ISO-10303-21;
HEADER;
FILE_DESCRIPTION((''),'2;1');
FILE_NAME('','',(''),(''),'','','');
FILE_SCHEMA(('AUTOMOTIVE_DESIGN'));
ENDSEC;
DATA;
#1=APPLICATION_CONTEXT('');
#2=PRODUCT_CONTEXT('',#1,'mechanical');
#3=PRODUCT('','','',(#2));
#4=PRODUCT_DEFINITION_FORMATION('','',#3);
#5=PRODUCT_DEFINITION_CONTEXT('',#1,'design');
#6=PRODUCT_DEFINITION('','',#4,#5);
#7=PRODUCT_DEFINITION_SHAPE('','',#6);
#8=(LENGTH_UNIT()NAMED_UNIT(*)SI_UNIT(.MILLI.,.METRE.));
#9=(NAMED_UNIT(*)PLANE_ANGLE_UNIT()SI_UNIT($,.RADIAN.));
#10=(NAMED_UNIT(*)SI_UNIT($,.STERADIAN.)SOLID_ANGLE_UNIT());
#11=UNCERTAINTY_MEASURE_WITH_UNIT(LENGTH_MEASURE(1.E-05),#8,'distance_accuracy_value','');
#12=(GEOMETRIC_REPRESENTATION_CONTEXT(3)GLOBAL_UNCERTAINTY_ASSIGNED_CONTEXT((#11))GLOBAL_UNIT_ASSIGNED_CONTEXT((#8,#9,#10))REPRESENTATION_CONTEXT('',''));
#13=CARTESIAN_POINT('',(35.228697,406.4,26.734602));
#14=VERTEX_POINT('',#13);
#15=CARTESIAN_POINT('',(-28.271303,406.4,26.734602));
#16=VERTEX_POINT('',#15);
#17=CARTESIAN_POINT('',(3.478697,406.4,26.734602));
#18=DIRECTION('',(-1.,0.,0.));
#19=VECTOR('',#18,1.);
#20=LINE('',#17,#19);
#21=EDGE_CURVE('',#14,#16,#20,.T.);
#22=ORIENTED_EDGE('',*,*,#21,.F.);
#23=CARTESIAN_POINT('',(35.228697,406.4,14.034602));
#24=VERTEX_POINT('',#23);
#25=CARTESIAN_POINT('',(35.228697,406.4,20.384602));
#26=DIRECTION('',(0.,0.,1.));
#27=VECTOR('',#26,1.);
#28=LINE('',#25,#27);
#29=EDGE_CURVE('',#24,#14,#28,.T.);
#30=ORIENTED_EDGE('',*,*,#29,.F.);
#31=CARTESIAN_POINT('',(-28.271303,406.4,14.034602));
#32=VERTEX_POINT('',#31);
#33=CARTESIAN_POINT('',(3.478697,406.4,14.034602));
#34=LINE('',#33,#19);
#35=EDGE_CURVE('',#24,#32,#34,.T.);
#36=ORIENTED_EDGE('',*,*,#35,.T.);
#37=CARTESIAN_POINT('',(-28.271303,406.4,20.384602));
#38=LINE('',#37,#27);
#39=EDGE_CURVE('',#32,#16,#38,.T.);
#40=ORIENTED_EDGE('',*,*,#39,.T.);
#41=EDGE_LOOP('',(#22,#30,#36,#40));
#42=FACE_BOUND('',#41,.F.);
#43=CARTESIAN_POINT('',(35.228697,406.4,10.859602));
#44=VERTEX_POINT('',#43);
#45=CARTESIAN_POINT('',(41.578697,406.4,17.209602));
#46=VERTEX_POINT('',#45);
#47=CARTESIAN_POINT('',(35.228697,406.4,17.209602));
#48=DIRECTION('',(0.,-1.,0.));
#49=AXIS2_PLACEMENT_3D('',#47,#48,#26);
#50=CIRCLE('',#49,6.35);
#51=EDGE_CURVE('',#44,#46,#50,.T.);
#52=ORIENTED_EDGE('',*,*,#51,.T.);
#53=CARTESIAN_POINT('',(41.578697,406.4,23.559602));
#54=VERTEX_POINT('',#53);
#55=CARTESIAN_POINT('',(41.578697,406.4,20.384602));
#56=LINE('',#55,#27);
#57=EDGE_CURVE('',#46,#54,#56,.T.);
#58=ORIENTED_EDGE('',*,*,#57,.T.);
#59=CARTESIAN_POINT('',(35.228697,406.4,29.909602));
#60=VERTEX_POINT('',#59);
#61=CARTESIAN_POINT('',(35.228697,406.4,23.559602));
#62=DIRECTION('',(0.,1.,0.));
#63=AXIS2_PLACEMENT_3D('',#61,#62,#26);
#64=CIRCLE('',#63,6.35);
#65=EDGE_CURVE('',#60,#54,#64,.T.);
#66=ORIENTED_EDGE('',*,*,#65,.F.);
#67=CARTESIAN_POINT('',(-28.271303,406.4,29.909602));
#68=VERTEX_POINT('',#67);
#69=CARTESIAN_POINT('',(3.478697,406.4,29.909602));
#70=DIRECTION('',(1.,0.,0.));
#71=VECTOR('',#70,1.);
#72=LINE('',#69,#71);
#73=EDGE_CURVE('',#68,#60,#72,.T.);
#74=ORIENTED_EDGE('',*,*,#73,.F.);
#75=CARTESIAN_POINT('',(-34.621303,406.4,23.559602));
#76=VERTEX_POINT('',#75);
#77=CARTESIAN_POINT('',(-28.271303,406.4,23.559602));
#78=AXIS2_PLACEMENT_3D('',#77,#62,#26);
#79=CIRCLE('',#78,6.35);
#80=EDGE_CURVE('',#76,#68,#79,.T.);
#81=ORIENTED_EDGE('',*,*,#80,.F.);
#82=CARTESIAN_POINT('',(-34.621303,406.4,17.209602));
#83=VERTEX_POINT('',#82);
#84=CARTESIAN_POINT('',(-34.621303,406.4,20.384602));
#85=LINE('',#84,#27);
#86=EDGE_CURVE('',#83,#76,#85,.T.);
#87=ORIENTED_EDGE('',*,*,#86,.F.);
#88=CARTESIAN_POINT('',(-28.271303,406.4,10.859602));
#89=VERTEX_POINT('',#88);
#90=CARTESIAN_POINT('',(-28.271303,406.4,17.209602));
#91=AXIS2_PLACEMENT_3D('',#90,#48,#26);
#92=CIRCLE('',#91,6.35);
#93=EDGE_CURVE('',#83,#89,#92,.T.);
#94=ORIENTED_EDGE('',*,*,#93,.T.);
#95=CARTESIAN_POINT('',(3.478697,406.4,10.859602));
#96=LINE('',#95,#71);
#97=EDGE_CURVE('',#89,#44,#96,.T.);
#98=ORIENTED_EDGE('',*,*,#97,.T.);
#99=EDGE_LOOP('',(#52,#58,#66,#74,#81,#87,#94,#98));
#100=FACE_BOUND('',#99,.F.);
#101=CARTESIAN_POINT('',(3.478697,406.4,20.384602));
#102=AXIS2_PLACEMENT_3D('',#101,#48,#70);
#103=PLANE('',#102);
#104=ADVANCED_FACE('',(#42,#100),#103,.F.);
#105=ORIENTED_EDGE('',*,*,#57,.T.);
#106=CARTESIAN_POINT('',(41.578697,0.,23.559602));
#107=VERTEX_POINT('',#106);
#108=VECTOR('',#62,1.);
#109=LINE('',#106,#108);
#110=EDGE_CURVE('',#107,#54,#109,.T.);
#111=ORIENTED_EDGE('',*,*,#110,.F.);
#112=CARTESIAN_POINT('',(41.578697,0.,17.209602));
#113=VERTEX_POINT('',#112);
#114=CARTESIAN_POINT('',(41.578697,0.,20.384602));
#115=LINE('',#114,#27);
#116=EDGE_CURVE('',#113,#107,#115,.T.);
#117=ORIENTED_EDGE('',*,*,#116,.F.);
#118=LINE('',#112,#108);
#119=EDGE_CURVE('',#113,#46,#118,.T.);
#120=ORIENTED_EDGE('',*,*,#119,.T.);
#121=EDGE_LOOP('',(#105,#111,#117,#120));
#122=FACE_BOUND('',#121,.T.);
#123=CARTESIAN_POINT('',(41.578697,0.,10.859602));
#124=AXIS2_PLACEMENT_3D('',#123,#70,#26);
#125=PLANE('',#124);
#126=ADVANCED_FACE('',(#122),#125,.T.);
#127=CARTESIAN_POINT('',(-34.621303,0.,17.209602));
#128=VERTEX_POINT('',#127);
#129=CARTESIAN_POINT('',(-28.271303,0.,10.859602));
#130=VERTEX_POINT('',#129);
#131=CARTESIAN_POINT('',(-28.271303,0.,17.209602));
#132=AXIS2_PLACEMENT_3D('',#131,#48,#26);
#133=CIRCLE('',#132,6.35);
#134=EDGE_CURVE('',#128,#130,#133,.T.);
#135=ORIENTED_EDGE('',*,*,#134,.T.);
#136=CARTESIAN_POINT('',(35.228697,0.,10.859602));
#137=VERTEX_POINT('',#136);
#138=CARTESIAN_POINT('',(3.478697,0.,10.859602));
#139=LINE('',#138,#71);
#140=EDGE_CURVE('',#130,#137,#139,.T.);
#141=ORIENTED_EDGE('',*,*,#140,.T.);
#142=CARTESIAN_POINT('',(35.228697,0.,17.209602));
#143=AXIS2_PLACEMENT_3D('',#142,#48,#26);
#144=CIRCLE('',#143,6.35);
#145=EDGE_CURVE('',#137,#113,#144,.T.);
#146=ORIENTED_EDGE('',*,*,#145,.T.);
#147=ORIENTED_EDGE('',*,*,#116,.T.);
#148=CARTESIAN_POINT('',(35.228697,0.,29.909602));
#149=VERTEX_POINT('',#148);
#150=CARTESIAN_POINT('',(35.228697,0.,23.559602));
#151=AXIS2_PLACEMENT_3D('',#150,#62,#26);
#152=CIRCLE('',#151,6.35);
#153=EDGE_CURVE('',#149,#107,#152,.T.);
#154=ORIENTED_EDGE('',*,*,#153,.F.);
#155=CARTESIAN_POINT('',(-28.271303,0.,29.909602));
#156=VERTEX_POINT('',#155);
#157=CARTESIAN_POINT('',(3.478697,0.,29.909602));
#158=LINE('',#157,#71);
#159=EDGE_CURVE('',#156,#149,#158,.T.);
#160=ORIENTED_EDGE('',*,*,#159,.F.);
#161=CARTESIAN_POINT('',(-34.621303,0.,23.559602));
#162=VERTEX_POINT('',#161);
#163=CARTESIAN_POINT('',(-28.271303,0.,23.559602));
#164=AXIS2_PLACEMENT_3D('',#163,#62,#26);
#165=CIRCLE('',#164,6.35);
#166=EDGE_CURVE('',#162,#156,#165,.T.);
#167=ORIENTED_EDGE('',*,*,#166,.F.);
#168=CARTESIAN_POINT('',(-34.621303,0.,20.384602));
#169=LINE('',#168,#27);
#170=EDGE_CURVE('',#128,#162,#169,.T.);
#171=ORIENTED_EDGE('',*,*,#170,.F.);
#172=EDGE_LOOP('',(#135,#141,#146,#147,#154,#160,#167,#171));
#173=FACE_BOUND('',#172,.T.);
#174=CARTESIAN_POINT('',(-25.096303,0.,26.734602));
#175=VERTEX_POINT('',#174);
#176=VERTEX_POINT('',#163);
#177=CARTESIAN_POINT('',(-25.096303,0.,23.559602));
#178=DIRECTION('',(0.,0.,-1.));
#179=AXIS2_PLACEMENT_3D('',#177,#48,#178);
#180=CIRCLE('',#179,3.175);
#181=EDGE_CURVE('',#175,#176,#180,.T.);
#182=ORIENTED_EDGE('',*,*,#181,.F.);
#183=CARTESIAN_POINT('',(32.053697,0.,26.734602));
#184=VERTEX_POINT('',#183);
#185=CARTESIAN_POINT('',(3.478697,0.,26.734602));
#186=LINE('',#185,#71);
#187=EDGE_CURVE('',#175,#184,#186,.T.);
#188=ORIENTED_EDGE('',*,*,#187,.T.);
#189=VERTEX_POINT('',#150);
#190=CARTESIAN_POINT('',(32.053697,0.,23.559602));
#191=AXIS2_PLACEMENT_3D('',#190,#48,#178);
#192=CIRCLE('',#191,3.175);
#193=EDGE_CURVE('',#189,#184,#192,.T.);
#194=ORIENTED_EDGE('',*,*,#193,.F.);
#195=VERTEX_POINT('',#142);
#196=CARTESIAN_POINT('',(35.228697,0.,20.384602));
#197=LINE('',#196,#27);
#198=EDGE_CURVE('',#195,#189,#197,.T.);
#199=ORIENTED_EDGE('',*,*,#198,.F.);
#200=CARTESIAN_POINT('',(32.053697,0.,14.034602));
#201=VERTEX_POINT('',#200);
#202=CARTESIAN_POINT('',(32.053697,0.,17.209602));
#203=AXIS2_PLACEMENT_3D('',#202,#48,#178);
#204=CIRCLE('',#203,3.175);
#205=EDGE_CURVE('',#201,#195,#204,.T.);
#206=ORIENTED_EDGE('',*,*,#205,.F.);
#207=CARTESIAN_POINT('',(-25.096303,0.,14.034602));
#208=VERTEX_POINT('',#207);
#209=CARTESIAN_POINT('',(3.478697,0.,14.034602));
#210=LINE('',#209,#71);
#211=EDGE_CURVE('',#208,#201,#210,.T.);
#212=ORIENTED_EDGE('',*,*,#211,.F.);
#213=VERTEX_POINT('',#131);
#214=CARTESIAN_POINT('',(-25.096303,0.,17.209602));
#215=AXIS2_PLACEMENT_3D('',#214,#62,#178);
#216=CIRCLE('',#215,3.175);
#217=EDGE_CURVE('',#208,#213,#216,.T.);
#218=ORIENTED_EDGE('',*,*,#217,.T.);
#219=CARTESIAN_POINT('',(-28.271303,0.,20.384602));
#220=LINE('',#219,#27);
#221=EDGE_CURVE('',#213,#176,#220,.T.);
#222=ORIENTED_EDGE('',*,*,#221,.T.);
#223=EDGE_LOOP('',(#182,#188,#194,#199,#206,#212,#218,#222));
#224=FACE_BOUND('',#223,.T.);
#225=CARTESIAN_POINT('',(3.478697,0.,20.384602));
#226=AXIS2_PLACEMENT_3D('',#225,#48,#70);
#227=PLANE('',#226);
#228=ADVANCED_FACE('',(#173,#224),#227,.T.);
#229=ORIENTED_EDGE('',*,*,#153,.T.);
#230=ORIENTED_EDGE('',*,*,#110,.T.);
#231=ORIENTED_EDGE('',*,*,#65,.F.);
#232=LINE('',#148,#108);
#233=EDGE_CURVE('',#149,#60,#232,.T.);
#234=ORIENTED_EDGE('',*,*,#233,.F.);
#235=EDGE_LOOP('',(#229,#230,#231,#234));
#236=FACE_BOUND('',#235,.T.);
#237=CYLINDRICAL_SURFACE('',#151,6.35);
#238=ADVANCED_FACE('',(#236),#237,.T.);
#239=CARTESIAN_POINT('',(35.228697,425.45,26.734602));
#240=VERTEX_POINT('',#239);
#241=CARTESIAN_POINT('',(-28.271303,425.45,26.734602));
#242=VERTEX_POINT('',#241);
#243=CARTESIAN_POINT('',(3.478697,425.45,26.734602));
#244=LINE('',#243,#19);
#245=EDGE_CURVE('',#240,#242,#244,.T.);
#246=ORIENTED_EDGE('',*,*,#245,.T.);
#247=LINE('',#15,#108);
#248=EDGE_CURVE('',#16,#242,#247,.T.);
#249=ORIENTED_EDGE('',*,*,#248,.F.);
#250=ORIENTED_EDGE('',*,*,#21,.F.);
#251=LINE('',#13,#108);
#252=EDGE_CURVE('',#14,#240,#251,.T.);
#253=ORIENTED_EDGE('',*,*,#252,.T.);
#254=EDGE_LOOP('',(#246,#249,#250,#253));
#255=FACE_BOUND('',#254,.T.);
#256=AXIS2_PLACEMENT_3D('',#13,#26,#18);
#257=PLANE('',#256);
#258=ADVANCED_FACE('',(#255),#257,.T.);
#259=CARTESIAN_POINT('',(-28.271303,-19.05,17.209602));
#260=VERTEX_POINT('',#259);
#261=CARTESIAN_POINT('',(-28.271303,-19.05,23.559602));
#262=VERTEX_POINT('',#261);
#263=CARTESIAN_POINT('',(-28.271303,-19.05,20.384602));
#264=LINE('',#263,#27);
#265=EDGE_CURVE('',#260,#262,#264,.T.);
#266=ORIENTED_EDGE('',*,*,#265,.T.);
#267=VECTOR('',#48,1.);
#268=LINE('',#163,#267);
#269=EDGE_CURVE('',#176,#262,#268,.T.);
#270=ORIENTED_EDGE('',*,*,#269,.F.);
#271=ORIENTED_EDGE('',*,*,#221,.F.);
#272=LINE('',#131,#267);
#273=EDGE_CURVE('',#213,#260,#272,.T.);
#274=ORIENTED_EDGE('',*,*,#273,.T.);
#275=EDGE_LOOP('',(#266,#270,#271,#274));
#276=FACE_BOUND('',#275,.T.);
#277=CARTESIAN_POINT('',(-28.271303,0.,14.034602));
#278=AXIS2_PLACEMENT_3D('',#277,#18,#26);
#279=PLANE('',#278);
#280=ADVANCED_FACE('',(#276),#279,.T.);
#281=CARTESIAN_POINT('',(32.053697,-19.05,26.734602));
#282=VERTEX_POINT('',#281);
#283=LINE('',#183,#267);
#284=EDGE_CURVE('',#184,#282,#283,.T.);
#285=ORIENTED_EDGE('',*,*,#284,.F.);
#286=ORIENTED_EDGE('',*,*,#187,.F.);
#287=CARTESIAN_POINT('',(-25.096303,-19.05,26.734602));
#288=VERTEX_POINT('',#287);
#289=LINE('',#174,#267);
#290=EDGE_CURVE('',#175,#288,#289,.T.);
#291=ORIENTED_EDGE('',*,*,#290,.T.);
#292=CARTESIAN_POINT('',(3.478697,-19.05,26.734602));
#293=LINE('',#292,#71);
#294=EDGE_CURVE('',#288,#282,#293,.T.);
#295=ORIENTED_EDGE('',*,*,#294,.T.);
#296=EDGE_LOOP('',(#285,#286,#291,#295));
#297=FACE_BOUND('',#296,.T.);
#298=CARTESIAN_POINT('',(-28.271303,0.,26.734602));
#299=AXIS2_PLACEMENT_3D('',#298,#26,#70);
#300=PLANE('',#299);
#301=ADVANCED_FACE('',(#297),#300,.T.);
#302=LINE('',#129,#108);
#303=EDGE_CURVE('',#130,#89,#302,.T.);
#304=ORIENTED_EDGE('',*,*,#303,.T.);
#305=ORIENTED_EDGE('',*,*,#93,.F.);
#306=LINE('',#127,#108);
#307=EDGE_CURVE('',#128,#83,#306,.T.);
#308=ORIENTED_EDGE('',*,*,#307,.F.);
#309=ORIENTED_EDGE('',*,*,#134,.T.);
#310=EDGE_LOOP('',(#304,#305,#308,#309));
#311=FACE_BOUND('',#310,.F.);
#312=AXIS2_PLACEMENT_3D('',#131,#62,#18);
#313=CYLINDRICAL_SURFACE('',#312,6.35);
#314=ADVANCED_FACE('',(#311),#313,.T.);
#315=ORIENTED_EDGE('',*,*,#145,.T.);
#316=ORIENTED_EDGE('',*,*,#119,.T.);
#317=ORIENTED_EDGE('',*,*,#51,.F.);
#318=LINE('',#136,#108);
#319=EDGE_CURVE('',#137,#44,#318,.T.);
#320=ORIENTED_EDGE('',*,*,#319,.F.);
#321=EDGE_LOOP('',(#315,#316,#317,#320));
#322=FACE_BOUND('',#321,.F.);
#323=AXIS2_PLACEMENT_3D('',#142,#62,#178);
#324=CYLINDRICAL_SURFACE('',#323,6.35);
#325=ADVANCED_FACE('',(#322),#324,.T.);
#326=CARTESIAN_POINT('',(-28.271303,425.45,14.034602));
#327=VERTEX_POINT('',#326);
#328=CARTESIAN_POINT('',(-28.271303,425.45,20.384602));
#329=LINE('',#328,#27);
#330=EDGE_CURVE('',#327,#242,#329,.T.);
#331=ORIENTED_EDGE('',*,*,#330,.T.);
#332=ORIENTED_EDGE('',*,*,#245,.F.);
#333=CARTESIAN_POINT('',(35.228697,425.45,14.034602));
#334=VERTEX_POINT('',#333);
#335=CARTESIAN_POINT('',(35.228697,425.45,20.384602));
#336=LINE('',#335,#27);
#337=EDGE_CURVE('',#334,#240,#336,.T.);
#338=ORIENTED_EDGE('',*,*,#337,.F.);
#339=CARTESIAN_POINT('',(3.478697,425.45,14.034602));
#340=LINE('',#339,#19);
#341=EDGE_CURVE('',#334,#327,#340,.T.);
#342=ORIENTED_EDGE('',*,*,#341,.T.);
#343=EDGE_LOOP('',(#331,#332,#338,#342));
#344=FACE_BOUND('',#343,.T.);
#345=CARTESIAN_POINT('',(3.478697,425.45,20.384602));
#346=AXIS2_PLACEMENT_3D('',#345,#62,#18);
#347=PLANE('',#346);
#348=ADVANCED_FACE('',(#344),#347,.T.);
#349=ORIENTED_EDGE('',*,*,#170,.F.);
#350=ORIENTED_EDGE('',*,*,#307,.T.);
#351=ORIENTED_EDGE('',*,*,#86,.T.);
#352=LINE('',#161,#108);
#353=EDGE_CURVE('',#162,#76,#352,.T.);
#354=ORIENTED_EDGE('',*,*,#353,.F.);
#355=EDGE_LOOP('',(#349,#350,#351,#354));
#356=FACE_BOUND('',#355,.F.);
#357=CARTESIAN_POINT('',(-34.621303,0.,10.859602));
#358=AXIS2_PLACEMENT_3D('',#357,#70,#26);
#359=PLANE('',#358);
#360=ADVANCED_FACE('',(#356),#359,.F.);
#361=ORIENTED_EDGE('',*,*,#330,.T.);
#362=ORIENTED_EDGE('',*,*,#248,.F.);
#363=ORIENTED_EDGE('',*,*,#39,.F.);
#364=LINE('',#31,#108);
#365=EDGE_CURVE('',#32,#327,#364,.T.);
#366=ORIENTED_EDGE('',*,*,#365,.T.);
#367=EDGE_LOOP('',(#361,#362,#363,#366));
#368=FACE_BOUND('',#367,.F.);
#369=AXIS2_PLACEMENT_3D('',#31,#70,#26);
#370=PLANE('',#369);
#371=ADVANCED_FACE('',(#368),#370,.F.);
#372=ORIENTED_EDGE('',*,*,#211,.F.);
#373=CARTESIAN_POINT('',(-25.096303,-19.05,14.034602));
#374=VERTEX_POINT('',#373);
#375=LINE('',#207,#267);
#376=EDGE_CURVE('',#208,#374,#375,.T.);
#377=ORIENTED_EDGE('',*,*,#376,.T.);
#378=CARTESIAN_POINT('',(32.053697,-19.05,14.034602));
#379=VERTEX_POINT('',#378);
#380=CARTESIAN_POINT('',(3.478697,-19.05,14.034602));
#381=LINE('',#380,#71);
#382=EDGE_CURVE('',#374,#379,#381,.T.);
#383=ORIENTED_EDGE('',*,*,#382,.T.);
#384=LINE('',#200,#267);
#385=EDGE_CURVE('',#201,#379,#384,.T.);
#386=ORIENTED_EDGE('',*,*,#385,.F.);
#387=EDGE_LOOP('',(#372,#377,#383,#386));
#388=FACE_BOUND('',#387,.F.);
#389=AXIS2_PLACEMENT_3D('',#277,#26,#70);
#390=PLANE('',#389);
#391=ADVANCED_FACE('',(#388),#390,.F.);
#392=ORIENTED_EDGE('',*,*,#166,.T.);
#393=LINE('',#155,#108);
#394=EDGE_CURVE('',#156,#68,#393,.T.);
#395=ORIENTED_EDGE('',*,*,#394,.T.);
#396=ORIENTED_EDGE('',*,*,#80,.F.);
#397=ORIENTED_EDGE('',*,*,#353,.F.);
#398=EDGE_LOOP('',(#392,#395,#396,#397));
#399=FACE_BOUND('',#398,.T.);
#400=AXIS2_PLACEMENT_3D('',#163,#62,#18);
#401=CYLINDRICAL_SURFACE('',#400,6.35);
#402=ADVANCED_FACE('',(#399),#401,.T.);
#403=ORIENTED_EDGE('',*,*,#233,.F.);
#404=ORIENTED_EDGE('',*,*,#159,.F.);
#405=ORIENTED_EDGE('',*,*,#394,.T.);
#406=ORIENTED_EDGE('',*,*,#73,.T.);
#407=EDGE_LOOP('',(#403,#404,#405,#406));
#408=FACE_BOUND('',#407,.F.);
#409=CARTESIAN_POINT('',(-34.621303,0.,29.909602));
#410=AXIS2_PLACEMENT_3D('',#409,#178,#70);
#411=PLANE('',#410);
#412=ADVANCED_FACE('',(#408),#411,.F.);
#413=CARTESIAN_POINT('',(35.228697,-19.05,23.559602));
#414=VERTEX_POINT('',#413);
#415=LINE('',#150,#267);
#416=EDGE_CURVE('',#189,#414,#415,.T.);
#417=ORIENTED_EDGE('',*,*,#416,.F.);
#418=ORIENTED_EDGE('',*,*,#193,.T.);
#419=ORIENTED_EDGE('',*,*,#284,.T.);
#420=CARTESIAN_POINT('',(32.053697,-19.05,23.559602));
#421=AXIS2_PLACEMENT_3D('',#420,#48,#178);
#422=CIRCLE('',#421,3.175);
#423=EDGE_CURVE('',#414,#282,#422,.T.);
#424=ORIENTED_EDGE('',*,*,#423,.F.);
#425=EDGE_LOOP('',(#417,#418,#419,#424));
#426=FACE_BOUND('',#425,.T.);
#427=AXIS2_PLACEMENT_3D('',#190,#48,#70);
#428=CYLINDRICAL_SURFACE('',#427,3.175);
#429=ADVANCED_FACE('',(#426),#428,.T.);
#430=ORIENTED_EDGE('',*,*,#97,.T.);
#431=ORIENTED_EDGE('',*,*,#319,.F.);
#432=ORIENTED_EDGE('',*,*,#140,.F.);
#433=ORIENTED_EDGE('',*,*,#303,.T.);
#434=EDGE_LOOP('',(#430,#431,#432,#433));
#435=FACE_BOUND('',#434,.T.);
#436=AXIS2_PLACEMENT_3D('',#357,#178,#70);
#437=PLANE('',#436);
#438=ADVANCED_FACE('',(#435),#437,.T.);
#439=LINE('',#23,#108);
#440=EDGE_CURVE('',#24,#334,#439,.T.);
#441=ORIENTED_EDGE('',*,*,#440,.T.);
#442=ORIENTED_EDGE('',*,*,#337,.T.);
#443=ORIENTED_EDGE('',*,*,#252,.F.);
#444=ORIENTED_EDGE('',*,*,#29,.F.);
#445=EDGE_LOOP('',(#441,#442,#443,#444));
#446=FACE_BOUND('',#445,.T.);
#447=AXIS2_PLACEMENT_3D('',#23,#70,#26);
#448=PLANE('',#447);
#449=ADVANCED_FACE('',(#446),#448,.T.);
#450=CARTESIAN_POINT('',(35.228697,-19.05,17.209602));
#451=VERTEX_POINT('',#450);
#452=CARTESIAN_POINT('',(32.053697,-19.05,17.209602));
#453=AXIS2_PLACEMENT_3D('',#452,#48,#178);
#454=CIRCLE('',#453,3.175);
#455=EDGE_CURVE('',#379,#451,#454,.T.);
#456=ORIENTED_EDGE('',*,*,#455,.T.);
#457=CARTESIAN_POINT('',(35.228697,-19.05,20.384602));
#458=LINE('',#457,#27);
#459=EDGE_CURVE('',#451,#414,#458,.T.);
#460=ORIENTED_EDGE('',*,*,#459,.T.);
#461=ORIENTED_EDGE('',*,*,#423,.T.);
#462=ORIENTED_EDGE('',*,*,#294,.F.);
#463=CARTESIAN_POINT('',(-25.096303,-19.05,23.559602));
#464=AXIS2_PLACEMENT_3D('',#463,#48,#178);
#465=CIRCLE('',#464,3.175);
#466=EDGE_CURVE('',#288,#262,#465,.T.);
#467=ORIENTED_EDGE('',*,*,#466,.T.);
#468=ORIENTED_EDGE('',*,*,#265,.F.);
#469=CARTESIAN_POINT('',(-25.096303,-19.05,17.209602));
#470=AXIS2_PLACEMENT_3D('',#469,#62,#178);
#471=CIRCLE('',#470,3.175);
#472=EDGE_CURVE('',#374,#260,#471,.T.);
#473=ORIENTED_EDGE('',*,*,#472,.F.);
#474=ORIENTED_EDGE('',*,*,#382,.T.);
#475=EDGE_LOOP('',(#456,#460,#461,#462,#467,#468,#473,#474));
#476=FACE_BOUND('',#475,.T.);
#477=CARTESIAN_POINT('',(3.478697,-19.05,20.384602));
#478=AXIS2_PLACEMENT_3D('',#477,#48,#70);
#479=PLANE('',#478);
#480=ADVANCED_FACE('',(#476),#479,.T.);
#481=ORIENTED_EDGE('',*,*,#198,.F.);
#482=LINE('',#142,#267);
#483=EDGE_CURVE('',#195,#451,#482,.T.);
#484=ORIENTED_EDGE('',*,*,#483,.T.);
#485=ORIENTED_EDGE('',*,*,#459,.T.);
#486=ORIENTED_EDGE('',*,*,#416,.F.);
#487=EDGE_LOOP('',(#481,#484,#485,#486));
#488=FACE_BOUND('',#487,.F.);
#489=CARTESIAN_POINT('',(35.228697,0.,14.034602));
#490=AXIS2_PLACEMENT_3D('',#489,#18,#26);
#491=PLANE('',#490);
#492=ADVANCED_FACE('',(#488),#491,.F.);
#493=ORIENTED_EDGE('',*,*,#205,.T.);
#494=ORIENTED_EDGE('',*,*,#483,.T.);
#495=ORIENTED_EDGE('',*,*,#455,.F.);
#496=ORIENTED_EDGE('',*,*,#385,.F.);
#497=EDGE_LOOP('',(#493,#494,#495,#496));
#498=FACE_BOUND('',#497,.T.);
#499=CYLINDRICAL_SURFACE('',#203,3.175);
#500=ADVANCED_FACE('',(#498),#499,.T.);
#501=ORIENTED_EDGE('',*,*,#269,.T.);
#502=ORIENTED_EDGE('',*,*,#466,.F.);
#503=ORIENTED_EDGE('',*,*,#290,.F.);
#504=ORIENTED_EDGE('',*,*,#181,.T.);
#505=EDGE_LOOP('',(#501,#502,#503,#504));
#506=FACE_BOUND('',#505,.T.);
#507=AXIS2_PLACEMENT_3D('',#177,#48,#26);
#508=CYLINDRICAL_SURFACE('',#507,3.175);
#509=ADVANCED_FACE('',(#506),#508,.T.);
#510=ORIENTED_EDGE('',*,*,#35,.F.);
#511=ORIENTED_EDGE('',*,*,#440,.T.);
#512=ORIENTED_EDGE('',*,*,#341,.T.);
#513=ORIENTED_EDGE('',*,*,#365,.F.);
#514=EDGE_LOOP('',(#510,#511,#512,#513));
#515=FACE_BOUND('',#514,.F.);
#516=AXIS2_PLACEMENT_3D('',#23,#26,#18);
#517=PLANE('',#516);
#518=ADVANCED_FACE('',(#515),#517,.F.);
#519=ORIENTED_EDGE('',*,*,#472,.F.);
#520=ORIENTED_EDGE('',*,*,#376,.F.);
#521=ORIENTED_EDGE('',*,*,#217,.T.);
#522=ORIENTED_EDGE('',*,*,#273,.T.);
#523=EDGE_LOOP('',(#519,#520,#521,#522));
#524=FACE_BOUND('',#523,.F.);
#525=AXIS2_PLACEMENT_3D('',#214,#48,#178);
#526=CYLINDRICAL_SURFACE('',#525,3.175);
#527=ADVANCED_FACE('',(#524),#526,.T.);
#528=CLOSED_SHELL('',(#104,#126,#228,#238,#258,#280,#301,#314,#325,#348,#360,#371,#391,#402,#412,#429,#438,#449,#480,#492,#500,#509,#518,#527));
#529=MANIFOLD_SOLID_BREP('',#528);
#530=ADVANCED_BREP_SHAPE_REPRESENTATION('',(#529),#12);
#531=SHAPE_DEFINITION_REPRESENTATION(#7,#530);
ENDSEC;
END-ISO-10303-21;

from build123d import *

# Parameters (mm, degrees)
F0_W     = 76.2
F0_H     = 19.05
F1_DEPTH = 406.4
F2_W     = 63.5
F2_H     = 12.7
F3_DEPTH = 19.05
F4_R     = 6.35
F5_W     = 63.5
F5_H     = 12.7
F6_DEPTH = 19.05
F7_R     = 3.175


with BuildPart() as f1:
    # F0 (on Front) → F1 (new body)
    with BuildSketch(Plane.XZ):
        with Locations((3.478697, 20.384602)):
            Rectangle(F0_W, F0_H)
    extrude(amount=-F1_DEPTH)

    # F2 (on face) → F3 (join)
    with BuildSketch(Plane.XZ):
        with Locations((3.478697, 20.384602)):
            Rectangle(F2_W, F2_H)
    extrude(amount=F3_DEPTH)

    # F4
    f4_edges = [f1.edges().sort_by_distance(p)[0] for p in [
        (41.578697, 203.2, 29.909602),
        (41.578697, 203.2, 10.859602),
        (-34.621303, 203.2, 29.909602),
        (-34.621303, 203.2, 10.859602),
    ]]
    fillet(f4_edges, radius=F4_R)

    # F5 (on face) → F6 (join)
    with BuildSketch(Plane(origin=(0, 406.4, 0), x_dir=(-1, 0, 0), z_dir=(0, 1, 0))):
        with Locations((-3.478697, 20.384602)):
            Rectangle(F5_W, F5_H)
    extrude(amount=F6_DEPTH)

    # F7
    f7_edges = [f1.edges().sort_by_distance(p)[0] for p in [
        (35.228697, -9.525, 26.734602),
        (35.228697, -9.525, 14.034602),
        (-28.271303, -9.525, 26.734602),
        (-28.271303, -9.525, 14.034602),
    ]]
    fillet(f7_edges, radius=F7_R)


solid = f1.part
